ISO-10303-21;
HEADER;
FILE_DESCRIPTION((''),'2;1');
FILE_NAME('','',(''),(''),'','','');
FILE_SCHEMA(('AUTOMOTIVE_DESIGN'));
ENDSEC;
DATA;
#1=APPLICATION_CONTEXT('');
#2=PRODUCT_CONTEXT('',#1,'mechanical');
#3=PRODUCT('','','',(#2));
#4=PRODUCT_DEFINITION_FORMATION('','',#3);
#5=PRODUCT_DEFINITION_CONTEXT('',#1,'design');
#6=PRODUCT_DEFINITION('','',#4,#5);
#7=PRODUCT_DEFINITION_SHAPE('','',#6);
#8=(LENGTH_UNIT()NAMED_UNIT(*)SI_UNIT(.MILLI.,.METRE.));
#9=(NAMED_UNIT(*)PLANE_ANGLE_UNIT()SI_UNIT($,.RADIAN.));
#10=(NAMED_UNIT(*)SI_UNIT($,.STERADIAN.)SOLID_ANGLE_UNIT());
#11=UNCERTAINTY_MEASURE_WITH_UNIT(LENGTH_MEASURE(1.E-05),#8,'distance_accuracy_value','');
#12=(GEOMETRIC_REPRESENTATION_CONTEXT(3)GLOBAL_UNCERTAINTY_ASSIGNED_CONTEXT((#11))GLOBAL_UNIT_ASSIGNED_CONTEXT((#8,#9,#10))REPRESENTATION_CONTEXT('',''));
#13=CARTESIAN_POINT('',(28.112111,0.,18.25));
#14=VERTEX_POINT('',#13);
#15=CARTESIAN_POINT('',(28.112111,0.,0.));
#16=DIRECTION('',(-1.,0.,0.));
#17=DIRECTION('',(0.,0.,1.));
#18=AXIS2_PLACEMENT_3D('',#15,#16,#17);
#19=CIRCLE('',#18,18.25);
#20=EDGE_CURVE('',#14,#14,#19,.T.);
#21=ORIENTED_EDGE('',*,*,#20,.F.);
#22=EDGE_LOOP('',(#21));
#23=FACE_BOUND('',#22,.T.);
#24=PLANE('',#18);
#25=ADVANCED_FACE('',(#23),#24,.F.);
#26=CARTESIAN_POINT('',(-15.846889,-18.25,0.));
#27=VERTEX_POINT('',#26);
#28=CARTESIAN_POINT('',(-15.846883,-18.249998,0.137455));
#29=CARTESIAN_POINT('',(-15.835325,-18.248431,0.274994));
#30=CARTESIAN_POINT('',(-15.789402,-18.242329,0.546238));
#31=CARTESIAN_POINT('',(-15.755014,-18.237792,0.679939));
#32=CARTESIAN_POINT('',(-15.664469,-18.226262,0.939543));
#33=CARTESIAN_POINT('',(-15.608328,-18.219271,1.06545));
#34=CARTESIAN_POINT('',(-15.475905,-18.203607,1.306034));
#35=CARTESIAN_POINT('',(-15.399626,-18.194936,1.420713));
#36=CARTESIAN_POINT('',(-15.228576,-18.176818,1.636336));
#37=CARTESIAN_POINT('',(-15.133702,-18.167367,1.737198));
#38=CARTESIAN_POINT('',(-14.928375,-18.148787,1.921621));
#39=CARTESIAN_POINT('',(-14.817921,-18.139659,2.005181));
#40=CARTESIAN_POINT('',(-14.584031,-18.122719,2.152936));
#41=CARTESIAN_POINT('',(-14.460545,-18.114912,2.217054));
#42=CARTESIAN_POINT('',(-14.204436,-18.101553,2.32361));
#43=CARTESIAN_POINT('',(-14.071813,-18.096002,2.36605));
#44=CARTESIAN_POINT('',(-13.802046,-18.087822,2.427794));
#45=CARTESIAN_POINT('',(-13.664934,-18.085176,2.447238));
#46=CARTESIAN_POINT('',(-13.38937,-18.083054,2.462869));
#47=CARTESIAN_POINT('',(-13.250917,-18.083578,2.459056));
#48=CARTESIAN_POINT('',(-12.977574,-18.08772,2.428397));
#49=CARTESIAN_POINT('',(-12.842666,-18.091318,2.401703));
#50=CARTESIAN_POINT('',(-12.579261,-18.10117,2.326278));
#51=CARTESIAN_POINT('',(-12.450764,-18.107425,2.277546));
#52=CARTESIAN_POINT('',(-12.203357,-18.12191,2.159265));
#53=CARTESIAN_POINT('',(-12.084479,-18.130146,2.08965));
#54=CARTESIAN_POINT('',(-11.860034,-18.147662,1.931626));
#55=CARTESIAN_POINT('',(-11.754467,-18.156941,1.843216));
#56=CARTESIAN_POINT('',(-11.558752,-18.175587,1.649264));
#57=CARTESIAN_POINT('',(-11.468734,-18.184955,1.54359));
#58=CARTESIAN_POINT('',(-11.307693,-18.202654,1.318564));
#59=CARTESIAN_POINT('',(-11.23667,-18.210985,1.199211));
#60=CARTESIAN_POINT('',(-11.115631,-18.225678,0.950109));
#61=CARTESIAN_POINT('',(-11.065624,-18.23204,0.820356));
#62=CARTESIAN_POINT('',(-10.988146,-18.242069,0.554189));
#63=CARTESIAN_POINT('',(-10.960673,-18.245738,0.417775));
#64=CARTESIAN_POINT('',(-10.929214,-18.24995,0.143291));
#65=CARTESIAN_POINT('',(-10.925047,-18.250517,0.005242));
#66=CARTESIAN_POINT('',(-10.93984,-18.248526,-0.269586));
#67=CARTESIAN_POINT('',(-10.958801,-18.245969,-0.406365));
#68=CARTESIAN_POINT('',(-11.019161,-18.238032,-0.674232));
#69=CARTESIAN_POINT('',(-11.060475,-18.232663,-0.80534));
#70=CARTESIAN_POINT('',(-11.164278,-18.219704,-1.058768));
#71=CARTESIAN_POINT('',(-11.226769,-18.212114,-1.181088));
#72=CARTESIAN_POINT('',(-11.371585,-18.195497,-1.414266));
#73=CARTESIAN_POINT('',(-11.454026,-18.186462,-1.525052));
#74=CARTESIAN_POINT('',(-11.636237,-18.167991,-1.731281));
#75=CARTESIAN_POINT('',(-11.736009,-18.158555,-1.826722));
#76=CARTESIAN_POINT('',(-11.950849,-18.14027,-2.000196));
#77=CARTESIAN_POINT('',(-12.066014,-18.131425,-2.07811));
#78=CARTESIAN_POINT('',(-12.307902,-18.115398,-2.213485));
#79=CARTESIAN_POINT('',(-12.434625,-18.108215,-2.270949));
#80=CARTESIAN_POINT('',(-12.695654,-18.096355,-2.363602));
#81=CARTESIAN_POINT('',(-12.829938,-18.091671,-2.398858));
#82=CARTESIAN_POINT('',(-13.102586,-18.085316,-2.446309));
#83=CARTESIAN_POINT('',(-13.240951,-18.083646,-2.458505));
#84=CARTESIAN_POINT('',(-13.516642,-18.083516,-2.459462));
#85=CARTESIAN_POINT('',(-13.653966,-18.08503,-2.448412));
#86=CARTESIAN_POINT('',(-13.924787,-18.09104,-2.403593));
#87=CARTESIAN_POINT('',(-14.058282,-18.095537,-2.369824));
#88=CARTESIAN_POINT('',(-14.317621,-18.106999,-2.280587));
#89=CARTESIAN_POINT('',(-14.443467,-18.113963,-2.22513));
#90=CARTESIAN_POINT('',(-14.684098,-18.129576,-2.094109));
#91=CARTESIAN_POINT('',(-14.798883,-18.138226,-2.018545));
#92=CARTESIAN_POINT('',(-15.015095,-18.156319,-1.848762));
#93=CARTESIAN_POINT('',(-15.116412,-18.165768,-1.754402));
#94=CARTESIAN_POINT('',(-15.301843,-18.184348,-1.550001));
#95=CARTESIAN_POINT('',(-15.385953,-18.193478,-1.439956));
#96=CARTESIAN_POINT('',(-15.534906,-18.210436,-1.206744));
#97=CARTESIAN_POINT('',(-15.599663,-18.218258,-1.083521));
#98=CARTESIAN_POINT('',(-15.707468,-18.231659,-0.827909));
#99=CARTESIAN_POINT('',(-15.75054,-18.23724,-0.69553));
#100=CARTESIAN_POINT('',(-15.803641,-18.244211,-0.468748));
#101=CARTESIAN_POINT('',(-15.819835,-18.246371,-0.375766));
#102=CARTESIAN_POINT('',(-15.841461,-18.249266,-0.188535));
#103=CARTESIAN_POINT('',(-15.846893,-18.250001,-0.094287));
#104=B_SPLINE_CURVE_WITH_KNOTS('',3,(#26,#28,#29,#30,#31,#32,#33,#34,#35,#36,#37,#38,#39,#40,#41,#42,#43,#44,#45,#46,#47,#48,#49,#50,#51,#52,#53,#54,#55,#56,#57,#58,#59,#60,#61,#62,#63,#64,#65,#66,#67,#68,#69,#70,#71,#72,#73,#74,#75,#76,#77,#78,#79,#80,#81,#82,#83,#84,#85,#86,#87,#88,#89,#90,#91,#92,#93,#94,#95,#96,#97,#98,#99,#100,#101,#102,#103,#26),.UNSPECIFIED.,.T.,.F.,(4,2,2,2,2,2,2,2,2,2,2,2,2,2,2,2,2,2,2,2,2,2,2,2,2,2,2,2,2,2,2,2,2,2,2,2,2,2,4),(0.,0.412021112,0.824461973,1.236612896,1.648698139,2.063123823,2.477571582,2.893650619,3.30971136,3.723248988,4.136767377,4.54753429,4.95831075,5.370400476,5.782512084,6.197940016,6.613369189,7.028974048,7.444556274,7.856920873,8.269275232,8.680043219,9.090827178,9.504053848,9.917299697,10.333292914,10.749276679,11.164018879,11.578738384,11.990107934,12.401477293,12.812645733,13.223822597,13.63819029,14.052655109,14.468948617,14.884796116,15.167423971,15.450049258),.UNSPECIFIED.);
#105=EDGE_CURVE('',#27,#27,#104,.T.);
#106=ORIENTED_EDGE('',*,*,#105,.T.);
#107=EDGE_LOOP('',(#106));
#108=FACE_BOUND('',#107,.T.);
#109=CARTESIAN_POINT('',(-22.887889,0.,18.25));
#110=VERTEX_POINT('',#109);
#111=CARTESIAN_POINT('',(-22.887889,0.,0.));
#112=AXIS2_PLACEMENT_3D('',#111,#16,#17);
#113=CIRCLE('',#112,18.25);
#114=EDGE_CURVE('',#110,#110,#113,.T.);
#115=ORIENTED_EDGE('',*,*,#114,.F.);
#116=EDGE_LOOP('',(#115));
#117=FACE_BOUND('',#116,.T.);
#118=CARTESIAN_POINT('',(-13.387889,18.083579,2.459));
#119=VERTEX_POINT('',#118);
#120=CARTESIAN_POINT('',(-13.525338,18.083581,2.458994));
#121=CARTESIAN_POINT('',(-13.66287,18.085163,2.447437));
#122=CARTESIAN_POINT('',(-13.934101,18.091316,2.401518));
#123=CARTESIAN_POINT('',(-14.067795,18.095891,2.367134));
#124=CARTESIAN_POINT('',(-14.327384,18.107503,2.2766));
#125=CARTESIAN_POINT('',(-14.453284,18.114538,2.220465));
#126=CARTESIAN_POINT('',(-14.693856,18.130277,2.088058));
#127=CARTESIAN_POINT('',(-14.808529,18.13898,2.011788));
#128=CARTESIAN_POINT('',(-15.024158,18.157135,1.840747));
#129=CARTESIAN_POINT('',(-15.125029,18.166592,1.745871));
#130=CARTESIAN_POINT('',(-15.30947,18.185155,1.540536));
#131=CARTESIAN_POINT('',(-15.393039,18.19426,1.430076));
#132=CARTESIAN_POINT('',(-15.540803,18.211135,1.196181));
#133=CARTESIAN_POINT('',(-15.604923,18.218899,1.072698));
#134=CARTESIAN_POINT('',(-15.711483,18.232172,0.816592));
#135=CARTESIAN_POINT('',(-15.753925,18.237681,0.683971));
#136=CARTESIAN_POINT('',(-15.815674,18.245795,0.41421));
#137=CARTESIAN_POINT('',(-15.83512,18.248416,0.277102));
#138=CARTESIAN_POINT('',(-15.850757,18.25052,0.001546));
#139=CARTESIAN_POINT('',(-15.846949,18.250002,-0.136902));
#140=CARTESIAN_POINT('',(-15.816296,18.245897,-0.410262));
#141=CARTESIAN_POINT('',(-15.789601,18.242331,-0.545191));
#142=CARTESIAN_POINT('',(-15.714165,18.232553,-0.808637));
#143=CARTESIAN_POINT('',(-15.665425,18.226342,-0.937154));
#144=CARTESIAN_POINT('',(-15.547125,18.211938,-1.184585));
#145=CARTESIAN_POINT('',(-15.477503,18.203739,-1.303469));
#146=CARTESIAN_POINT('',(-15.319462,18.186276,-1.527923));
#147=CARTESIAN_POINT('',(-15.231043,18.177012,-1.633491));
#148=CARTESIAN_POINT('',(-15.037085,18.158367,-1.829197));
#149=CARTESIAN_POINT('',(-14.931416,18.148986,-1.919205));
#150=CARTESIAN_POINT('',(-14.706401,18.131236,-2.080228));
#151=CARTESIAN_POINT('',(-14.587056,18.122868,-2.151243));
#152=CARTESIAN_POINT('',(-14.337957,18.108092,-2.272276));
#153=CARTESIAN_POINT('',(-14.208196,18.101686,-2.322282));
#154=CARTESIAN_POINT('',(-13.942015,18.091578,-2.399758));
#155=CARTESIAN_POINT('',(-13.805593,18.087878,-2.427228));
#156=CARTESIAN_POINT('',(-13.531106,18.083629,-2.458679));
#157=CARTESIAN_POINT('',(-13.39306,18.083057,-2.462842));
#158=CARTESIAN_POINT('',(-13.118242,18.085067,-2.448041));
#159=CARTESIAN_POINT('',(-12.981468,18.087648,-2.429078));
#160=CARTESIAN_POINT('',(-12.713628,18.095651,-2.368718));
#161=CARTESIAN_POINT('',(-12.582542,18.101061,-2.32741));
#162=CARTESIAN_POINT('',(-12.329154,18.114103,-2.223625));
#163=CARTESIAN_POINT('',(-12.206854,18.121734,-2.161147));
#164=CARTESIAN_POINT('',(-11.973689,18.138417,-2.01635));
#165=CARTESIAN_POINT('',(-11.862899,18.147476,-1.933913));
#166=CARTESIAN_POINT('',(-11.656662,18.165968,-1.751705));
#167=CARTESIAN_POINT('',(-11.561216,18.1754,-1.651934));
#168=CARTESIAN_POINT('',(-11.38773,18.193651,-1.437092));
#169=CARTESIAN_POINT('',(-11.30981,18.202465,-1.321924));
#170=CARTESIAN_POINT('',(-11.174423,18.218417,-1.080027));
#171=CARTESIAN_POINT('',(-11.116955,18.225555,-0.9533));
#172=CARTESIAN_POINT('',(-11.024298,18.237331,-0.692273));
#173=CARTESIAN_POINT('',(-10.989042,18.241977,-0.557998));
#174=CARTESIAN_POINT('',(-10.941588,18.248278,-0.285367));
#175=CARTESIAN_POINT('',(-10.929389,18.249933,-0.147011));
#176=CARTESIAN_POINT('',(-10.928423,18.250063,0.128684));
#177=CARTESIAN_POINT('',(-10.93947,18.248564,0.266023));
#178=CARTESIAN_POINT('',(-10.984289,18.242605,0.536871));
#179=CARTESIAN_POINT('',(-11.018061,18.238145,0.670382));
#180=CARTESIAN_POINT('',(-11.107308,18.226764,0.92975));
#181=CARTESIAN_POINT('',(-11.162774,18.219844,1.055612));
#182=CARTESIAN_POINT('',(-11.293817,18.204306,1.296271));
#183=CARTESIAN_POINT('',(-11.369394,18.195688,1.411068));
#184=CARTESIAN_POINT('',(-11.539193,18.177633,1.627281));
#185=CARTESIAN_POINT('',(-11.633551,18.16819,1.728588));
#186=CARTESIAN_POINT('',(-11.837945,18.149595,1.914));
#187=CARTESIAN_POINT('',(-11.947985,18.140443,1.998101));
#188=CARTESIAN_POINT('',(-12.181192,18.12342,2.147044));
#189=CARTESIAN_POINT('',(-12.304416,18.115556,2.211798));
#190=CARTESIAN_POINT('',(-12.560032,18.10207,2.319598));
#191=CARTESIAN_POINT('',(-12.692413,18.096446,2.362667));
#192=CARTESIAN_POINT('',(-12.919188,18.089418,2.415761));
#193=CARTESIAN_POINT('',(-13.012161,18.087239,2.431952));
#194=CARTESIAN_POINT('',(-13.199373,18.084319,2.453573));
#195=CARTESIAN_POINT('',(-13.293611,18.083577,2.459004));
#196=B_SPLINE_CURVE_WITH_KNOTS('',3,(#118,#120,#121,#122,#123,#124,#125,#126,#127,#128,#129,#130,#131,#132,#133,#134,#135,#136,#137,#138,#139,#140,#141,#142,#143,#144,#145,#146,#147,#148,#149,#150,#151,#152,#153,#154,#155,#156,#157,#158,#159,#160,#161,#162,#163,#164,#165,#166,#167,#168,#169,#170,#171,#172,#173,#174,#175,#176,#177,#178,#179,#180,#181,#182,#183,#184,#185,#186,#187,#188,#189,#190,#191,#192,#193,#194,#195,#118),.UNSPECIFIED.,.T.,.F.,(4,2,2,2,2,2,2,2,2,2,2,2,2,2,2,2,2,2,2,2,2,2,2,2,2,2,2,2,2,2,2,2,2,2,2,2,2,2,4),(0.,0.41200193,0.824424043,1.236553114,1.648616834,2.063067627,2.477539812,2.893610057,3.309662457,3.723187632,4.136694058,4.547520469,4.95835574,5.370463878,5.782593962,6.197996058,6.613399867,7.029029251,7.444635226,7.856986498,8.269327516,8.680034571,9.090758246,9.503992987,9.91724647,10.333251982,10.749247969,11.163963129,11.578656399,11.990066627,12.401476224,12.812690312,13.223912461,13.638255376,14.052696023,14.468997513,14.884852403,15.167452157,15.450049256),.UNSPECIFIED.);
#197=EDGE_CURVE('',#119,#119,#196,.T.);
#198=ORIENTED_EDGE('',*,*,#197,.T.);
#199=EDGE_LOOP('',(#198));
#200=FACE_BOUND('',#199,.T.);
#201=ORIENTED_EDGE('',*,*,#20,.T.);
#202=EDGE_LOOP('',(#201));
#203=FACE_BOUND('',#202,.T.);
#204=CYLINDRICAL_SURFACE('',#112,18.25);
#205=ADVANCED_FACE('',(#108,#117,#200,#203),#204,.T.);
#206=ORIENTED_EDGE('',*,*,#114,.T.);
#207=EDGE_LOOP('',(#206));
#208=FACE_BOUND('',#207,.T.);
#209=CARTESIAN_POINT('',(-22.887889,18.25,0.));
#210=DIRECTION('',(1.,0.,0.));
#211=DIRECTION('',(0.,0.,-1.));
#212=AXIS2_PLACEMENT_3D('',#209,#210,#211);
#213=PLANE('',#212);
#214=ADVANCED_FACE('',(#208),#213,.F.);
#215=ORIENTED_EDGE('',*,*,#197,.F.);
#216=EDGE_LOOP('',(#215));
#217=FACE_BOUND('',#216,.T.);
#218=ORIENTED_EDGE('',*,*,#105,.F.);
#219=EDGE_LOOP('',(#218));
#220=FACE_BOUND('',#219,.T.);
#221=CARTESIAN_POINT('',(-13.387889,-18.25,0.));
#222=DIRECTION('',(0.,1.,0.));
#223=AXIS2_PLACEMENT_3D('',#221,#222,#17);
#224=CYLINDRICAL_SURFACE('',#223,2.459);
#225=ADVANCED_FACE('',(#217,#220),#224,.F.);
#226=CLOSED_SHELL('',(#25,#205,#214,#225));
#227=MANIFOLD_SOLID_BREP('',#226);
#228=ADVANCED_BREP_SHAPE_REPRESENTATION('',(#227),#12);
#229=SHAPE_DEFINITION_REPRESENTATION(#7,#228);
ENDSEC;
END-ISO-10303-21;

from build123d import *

# Parameters (mm, degrees)
ESQUISSE1_W                  = 51
ESQUISSE1_H                  = 18.25
ENL_V_MAT_EXTRU_1_DEPTH      = 50.55404417
ENL_V_MAT_EXTRU_1_DEPTH_BACK = 50.55404417
ESQUISSE2_R                  = 2.459


with BuildPart() as part:
    # Esquisse1 → Révolution1 (revolve)
    with BuildSketch(Plane.XY, mode=Mode.PRIVATE) as r_volution1_sk:
        with Locations((2.612111155, 9.125)):
            Rectangle(ESQUISSE1_W, ESQUISSE1_H)
    revolve(r_volution1_sk.sketch.rotate(Axis((-22.887888845, 0, 0), (1, 0, 0)), 90), axis=Axis((-22.887888845, 0, 0), (1, 0, 0)))

    # Esquisse2 → Enlèv. mat.-Extru.1 (cut, two sides: drawn at the far end of the back side and taken through both)
    with BuildSketch(Plane(origin=(0, 18.25, 0), x_dir=(1, 0, 0), z_dir=(0, 1, 0)).offset(-ENL_V_MAT_EXTRU_1_DEPTH_BACK)):
        with Locations(Location((-13.387888845, 0, 0), (0, 0, 270))):
            Circle(ESQUISSE2_R)
    extrude(amount=ENL_V_MAT_EXTRU_1_DEPTH + ENL_V_MAT_EXTRU_1_DEPTH_BACK, mode=Mode.SUBTRACT)


solid = part.part
